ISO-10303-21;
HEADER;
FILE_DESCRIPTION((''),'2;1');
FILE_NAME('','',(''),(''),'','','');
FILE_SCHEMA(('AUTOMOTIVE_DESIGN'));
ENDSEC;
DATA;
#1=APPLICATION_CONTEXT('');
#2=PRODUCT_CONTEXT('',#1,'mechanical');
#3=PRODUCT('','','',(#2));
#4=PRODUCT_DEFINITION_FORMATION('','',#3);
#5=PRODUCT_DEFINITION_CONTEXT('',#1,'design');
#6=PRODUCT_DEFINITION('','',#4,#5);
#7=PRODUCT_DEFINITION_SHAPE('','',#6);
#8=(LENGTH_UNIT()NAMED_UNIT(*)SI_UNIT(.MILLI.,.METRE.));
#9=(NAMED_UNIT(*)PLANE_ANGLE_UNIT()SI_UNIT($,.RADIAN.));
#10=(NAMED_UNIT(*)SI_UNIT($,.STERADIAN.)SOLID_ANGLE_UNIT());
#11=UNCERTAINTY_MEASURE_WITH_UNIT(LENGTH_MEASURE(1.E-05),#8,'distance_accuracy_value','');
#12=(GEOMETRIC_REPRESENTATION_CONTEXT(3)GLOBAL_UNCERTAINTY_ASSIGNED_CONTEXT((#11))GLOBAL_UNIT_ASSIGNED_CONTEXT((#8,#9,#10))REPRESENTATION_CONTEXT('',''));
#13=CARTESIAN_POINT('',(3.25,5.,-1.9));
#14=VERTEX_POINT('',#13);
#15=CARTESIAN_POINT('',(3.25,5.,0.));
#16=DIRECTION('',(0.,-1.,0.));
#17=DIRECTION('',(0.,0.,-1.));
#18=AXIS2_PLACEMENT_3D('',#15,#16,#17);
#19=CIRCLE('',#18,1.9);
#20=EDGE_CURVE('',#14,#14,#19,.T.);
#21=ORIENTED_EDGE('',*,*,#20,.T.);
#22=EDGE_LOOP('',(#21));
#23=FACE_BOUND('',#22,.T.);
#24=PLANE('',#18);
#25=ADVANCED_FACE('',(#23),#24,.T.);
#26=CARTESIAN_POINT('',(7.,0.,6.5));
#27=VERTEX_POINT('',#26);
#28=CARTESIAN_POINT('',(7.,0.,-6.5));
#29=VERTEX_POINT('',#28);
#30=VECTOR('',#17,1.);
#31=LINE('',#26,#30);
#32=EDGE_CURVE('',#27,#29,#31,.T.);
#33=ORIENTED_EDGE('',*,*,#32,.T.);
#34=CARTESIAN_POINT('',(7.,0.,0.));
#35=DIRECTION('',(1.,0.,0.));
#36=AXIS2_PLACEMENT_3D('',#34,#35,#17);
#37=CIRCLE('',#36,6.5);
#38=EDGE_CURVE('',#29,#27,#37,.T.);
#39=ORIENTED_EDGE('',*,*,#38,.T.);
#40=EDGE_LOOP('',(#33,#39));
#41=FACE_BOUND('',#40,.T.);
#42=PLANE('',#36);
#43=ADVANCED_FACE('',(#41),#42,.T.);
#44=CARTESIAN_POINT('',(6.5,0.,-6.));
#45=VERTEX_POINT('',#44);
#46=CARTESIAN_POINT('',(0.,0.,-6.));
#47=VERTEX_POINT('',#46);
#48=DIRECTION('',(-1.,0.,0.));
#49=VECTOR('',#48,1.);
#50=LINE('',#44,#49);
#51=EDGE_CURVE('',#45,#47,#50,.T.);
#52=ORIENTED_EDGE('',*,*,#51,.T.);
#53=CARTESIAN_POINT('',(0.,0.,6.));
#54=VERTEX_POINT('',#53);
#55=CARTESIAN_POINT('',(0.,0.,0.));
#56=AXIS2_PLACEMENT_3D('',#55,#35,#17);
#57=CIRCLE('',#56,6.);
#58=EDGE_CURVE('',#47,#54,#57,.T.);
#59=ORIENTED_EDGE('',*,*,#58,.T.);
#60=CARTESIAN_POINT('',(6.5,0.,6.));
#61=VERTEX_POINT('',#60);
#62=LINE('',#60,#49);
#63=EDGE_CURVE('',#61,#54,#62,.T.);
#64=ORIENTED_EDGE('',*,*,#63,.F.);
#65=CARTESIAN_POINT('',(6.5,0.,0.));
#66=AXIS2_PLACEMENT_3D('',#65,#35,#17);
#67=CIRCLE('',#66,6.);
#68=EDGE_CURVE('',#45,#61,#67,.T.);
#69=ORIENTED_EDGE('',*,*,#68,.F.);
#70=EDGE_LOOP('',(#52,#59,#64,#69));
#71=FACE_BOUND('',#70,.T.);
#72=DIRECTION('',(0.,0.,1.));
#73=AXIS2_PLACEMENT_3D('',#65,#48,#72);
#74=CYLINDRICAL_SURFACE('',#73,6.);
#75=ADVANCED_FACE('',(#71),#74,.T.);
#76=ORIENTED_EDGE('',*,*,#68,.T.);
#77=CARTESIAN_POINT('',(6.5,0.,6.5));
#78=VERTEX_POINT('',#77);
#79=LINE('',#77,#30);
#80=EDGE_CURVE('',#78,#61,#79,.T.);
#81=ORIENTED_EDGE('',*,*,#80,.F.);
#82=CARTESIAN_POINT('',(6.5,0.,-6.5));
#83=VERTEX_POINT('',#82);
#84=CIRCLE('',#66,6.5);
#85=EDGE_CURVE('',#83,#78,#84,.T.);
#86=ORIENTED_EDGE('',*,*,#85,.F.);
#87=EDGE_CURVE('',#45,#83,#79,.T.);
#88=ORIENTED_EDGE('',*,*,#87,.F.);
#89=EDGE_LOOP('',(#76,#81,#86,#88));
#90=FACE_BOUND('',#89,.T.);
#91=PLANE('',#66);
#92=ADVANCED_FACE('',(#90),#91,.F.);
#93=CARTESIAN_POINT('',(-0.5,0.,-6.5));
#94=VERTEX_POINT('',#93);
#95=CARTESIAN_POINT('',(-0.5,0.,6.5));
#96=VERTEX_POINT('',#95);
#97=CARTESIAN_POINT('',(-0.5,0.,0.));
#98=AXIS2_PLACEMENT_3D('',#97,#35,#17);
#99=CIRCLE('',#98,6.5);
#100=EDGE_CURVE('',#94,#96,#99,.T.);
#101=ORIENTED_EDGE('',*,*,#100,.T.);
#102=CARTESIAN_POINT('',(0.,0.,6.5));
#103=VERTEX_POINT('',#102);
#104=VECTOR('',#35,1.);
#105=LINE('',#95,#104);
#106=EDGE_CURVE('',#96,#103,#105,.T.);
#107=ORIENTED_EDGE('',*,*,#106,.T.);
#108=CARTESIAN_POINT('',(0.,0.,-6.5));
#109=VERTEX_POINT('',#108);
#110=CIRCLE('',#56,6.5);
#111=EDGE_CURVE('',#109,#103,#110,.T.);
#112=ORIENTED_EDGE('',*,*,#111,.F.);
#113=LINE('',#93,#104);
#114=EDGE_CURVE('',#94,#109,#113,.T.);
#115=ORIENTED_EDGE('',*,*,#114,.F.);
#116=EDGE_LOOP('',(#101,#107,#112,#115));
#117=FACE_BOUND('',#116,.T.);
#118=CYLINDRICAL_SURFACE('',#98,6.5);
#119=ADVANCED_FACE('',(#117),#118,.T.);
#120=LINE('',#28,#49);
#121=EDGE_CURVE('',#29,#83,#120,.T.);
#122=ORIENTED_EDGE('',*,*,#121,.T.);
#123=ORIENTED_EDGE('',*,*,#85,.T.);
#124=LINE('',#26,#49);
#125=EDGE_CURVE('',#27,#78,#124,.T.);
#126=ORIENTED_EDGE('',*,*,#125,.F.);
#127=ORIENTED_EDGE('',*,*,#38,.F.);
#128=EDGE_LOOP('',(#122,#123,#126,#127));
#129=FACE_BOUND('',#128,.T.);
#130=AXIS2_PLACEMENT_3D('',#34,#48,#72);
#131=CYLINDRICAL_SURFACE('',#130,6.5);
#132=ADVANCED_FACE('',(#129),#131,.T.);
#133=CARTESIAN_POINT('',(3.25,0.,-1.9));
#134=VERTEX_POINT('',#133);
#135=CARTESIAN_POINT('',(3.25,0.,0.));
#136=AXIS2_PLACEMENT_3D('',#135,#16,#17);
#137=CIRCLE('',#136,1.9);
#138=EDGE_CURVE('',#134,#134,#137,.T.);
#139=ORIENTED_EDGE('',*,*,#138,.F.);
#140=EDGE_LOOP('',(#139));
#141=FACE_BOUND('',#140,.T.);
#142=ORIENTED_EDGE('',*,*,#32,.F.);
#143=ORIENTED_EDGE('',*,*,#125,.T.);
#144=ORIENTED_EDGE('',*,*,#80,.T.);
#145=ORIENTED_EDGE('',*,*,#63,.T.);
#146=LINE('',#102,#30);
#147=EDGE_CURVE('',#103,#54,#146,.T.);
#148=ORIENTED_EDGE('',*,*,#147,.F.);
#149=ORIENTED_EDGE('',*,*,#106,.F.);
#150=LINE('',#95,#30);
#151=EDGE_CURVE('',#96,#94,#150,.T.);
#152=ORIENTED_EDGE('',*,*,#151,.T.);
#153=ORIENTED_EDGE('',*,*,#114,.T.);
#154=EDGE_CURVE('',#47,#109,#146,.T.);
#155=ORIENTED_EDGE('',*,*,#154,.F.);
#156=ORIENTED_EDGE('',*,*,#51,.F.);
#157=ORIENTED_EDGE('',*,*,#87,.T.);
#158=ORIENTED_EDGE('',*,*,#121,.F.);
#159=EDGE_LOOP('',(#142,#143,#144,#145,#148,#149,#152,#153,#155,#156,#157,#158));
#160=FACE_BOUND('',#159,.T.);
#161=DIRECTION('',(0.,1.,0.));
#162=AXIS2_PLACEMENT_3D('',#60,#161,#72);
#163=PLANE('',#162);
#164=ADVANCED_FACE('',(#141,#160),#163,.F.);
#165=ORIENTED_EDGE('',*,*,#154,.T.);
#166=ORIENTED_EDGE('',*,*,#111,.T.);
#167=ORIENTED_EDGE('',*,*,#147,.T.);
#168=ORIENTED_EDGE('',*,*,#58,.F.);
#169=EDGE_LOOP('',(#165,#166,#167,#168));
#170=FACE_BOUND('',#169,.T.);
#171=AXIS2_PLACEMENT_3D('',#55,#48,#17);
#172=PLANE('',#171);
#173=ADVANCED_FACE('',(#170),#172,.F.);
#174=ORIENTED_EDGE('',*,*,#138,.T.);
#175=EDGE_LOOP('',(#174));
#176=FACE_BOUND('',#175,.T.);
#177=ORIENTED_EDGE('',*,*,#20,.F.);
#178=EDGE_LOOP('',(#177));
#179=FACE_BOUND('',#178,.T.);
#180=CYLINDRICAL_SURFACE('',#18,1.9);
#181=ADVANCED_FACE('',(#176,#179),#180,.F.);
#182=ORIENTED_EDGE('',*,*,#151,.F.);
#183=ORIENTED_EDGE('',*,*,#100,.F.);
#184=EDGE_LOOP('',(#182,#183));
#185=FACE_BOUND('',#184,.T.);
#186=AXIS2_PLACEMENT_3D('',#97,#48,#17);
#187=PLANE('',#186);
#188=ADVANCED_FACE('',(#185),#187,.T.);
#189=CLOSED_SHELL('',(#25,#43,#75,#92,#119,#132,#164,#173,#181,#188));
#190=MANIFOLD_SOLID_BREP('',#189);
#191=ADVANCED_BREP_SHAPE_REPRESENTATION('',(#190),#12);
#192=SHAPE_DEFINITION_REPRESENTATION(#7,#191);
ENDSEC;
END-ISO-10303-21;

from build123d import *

# Parameters (mm, degrees)
BOSS_EXTRUDE1_DEPTH = 6.5
BOSS_EXTRUDE2_DEPTH = 0.5
SKETCH4_R           = 1.9
CUT_EXTRUDE1_DEPTH  = 5


with BuildPart() as part:
    # Sketch2 → Boss-Extrude1 (new body)
    with BuildSketch(Plane(origin=(0, 0, 0), x_dir=(0, 0, -1), z_dir=(1, 0, 0))):
        with BuildLine():
            Line((-6, 0), (6, 0))
            ThreePointArc((6, 0), (0, 6), (-6, 0))
        make_face()
    extrude(amount=BOSS_EXTRUDE1_DEPTH)

    # Sketch3 → Boss-Extrude2 (add)
    with BuildSketch(Plane(origin=(6.5, 0, 0), x_dir=(0, 0, -1), z_dir=(1, 0, 0))):
        with BuildLine():
            Line((-6.5, 0), (6.5, 0))
            ThreePointArc((6.5, 0), (0, 6.5), (-6.5, 0))
        make_face()
    boss_extrude2 = extrude(amount=BOSS_EXTRUDE2_DEPTH)

    # Mirror1: Boss-Extrude2 across plane
    add(boss_extrude2.mirror(Plane(origin=(3.25, 0, 0), x_dir=(0, 0, 1), z_dir=(1, 0, 0))))

    # Sketch4 → Cut-Extrude1 (cut)
    with BuildSketch(Plane.XZ):
        with Locations(Location((3.25, 0, 0), (0, 0, 270))):
            Circle(SKETCH4_R)
    extrude(amount=-CUT_EXTRUDE1_DEPTH, mode=Mode.SUBTRACT)


solid = part.part
